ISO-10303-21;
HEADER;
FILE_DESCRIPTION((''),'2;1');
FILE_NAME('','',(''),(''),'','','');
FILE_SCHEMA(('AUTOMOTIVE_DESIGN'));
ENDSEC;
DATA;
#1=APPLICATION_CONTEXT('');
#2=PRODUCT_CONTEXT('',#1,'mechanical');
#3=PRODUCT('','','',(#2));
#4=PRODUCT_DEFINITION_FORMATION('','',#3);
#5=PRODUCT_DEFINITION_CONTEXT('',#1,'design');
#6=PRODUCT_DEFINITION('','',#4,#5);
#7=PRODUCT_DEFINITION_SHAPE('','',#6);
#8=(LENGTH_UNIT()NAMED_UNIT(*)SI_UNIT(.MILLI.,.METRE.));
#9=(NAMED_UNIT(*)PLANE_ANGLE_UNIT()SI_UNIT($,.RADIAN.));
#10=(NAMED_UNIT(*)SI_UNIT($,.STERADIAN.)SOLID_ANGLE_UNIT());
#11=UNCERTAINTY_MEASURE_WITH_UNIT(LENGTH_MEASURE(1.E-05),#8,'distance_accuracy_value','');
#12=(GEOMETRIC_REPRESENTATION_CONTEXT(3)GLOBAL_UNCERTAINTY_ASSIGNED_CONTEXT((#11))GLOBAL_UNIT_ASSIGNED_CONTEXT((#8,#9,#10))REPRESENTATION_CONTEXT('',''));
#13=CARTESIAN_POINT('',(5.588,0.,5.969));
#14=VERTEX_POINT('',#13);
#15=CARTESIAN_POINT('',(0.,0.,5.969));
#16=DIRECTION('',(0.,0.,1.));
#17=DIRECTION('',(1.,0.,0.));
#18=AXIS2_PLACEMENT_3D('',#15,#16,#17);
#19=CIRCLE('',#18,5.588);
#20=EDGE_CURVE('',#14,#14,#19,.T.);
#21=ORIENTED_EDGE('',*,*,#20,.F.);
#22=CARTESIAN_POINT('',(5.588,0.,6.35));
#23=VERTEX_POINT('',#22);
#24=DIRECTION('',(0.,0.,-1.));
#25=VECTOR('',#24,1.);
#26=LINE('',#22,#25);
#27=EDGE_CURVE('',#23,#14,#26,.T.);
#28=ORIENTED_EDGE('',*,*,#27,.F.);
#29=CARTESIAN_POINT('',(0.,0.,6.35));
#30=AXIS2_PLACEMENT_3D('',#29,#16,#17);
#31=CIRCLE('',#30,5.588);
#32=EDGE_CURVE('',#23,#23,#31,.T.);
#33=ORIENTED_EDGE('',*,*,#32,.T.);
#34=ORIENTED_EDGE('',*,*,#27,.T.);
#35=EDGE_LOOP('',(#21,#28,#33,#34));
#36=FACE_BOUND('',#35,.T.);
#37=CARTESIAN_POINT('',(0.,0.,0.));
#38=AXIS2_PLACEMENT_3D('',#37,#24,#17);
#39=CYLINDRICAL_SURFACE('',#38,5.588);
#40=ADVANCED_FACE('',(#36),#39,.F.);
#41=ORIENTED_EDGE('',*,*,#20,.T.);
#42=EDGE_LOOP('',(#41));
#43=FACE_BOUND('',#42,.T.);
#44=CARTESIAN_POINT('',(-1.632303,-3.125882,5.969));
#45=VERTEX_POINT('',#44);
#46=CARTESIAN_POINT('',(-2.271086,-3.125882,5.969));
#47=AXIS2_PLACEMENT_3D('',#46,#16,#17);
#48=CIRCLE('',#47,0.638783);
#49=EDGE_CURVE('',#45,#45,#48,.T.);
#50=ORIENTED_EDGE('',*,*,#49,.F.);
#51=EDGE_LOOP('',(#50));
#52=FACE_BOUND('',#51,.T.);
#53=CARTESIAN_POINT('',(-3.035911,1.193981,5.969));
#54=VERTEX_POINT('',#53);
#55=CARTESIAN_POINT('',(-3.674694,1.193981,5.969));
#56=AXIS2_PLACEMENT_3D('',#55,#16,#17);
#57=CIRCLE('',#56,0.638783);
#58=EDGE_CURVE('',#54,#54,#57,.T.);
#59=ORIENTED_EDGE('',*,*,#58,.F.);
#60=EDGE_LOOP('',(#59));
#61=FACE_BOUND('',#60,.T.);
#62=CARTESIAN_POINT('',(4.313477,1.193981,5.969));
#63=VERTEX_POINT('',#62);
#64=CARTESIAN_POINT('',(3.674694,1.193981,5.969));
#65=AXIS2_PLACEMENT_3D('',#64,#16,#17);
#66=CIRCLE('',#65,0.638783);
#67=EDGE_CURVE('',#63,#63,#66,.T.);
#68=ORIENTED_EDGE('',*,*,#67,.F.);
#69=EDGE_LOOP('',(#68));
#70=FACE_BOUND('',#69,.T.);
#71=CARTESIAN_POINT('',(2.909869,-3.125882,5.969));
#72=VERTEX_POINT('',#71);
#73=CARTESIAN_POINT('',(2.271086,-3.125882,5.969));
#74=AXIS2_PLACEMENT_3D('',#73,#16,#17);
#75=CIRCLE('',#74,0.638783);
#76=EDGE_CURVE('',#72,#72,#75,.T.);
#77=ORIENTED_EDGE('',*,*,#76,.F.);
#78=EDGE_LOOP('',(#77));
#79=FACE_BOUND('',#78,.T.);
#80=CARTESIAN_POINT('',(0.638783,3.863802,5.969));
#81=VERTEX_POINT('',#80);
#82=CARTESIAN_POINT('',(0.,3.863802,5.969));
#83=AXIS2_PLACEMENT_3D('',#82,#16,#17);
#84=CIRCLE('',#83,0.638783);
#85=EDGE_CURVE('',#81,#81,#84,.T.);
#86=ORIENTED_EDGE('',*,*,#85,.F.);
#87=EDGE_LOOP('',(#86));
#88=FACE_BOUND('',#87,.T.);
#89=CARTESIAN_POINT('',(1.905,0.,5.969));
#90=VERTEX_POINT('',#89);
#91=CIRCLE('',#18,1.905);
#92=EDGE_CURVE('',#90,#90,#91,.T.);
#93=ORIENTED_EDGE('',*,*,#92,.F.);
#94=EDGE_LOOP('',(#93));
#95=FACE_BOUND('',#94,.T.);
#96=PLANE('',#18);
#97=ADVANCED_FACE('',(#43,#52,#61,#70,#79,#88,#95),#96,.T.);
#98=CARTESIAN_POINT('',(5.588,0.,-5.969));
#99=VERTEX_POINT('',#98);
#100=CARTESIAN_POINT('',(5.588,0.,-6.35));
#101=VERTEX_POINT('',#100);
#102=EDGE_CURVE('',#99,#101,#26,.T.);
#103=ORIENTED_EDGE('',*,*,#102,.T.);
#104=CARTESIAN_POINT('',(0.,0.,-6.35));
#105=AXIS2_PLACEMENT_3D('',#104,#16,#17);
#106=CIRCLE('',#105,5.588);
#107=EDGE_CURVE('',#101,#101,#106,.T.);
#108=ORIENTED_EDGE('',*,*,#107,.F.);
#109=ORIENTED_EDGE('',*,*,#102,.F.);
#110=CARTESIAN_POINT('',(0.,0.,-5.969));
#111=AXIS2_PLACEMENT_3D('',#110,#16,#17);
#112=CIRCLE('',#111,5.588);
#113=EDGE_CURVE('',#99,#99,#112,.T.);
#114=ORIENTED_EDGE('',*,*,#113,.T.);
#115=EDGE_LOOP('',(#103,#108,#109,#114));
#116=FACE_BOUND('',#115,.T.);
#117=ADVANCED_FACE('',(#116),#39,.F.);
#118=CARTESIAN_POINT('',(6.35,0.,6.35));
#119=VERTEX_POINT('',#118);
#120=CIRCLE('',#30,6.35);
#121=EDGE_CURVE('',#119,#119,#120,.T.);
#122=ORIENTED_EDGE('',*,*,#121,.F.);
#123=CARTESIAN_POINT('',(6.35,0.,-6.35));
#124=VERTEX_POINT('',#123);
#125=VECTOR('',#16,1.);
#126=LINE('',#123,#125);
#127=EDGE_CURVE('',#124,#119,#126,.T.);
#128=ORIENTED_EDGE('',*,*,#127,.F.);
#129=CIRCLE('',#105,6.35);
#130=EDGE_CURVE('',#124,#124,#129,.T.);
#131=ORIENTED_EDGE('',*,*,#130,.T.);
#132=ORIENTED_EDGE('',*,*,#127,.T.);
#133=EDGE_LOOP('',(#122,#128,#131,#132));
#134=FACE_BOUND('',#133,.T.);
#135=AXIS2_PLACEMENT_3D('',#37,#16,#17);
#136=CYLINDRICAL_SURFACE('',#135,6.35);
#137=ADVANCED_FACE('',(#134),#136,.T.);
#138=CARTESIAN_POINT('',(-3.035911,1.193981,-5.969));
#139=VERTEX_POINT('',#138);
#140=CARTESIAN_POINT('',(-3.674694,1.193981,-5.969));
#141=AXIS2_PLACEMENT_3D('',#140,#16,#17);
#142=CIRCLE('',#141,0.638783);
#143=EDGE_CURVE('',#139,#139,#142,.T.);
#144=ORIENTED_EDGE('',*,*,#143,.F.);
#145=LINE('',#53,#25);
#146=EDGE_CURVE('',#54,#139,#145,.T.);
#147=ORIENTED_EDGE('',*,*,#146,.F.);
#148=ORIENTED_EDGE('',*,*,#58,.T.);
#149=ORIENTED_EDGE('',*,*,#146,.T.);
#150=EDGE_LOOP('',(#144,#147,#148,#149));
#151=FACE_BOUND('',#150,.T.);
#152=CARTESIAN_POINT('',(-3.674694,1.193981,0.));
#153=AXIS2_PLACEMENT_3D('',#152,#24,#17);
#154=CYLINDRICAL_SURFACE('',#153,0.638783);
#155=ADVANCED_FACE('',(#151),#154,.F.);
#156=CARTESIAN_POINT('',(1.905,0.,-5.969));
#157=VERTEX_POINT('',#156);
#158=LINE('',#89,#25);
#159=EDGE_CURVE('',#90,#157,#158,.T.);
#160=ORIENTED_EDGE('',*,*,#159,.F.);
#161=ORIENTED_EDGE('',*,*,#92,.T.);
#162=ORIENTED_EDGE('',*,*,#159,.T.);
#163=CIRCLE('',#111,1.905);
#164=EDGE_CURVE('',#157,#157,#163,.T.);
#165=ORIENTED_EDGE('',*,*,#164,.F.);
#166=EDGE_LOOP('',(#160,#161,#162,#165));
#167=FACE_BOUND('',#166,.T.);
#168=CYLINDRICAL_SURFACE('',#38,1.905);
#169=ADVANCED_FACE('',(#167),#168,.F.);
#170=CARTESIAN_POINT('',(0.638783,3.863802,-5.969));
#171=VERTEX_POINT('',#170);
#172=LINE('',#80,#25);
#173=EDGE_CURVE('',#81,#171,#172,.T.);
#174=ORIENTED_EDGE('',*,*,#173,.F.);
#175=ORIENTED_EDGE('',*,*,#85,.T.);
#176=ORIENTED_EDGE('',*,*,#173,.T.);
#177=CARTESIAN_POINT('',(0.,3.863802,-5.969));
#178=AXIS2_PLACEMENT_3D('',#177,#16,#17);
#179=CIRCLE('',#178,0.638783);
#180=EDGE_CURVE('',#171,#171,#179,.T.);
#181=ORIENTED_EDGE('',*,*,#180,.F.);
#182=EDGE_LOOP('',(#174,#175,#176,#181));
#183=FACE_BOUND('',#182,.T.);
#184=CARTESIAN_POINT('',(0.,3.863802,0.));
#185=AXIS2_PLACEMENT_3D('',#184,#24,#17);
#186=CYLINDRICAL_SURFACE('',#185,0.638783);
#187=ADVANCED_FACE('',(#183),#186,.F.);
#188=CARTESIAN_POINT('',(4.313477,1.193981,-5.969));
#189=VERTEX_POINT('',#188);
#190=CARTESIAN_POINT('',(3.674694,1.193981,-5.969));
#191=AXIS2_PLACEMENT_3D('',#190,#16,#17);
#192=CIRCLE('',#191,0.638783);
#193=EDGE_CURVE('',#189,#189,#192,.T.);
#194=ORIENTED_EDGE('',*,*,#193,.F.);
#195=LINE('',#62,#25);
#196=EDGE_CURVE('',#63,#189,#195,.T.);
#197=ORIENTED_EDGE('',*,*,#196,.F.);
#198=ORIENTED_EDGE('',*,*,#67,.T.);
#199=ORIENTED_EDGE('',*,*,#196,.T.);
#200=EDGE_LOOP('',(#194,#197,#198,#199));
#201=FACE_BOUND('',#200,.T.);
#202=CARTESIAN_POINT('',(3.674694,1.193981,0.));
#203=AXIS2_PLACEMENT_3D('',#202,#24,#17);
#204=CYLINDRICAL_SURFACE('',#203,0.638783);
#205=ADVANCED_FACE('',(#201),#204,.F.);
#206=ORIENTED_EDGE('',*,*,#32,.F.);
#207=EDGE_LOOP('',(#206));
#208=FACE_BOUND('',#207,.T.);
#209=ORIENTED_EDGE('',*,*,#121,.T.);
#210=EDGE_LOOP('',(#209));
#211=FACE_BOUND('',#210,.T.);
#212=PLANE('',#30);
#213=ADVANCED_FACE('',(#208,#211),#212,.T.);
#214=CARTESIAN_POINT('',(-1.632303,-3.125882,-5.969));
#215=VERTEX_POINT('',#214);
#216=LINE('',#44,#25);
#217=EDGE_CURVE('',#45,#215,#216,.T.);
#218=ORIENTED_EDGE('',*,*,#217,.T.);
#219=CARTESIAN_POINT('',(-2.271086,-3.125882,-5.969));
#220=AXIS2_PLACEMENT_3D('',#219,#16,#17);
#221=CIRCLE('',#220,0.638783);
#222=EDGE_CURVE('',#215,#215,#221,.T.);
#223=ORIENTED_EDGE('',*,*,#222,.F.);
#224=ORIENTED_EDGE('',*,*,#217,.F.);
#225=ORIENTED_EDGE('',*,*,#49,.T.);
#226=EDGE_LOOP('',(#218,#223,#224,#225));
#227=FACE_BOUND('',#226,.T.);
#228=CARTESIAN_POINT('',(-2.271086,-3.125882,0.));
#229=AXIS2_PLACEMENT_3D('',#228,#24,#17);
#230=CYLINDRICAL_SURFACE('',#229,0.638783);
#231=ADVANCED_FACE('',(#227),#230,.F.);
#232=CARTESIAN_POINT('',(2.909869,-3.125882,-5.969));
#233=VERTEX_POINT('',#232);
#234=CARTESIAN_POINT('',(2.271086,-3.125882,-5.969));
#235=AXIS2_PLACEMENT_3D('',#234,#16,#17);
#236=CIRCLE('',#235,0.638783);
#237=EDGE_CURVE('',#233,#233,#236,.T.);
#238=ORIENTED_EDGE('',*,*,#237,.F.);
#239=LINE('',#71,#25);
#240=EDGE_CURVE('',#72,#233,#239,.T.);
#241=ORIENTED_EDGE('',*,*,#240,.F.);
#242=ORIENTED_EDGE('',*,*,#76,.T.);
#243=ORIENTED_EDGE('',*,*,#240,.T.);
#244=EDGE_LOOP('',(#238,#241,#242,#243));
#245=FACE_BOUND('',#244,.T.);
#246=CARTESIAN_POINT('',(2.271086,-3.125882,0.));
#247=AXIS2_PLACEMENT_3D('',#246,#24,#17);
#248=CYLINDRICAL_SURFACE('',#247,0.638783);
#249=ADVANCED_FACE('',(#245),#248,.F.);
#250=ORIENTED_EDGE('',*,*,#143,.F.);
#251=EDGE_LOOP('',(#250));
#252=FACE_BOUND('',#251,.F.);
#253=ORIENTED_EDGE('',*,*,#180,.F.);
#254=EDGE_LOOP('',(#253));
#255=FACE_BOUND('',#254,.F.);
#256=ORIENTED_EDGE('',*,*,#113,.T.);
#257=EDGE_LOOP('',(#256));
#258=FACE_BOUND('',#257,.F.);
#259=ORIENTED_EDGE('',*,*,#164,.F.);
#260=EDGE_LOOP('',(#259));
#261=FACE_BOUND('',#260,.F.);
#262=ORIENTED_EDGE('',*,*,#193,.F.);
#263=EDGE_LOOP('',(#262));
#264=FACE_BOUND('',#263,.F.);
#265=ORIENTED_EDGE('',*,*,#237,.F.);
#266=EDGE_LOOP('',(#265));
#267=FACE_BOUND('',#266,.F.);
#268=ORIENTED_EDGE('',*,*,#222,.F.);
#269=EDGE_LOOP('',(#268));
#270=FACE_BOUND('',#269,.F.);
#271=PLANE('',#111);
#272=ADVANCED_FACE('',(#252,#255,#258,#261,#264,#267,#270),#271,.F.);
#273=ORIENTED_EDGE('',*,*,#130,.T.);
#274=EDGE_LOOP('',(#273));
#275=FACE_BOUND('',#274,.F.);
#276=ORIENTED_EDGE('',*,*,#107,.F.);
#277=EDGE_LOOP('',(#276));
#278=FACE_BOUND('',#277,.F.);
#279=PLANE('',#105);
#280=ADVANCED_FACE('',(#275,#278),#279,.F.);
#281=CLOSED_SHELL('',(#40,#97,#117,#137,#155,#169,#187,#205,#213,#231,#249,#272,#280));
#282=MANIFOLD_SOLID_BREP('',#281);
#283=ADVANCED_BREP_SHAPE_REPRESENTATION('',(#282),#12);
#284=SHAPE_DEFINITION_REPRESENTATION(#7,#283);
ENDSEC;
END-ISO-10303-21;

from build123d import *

# Parameters (mm, degrees)
F0_R     = 6.35
F0_R_2   = 5.588
F1_DEPTH = 6.35
F0_R_3   = 0.638783
F0_R_4   = 1.905
F2_DEPTH = 5.969


with BuildPart() as f1:
    # F0 (on Top) → F1 (new body, symmetric)
    with BuildSketch(Plane.XY):
        Circle(F0_R)
        Circle(F0_R_2, mode=Mode.SUBTRACT)
    extrude(amount=F1_DEPTH, both=True)

    # F0 (on Top) → F2 (join, symmetric)
    with BuildSketch(Plane.XY):
        Circle(F0_R_2)
        with Locations((-2.271086, -3.125882)):
            Circle(F0_R_3, mode=Mode.SUBTRACT)
        Circle(F0_R_4, mode=Mode.SUBTRACT)
        with Locations((2.271086, -3.125882)):
            Circle(F0_R_3, mode=Mode.SUBTRACT)
        with Locations((-3.674694, 1.193981)):
            Circle(F0_R_3, mode=Mode.SUBTRACT)
        with Locations((0, 3.863802)):
            Circle(F0_R_3, mode=Mode.SUBTRACT)
        with Locations((3.674694, 1.193981)):
            Circle(F0_R_3, mode=Mode.SUBTRACT)
    extrude(amount=F2_DEPTH, both=True)


solid = f1.part
